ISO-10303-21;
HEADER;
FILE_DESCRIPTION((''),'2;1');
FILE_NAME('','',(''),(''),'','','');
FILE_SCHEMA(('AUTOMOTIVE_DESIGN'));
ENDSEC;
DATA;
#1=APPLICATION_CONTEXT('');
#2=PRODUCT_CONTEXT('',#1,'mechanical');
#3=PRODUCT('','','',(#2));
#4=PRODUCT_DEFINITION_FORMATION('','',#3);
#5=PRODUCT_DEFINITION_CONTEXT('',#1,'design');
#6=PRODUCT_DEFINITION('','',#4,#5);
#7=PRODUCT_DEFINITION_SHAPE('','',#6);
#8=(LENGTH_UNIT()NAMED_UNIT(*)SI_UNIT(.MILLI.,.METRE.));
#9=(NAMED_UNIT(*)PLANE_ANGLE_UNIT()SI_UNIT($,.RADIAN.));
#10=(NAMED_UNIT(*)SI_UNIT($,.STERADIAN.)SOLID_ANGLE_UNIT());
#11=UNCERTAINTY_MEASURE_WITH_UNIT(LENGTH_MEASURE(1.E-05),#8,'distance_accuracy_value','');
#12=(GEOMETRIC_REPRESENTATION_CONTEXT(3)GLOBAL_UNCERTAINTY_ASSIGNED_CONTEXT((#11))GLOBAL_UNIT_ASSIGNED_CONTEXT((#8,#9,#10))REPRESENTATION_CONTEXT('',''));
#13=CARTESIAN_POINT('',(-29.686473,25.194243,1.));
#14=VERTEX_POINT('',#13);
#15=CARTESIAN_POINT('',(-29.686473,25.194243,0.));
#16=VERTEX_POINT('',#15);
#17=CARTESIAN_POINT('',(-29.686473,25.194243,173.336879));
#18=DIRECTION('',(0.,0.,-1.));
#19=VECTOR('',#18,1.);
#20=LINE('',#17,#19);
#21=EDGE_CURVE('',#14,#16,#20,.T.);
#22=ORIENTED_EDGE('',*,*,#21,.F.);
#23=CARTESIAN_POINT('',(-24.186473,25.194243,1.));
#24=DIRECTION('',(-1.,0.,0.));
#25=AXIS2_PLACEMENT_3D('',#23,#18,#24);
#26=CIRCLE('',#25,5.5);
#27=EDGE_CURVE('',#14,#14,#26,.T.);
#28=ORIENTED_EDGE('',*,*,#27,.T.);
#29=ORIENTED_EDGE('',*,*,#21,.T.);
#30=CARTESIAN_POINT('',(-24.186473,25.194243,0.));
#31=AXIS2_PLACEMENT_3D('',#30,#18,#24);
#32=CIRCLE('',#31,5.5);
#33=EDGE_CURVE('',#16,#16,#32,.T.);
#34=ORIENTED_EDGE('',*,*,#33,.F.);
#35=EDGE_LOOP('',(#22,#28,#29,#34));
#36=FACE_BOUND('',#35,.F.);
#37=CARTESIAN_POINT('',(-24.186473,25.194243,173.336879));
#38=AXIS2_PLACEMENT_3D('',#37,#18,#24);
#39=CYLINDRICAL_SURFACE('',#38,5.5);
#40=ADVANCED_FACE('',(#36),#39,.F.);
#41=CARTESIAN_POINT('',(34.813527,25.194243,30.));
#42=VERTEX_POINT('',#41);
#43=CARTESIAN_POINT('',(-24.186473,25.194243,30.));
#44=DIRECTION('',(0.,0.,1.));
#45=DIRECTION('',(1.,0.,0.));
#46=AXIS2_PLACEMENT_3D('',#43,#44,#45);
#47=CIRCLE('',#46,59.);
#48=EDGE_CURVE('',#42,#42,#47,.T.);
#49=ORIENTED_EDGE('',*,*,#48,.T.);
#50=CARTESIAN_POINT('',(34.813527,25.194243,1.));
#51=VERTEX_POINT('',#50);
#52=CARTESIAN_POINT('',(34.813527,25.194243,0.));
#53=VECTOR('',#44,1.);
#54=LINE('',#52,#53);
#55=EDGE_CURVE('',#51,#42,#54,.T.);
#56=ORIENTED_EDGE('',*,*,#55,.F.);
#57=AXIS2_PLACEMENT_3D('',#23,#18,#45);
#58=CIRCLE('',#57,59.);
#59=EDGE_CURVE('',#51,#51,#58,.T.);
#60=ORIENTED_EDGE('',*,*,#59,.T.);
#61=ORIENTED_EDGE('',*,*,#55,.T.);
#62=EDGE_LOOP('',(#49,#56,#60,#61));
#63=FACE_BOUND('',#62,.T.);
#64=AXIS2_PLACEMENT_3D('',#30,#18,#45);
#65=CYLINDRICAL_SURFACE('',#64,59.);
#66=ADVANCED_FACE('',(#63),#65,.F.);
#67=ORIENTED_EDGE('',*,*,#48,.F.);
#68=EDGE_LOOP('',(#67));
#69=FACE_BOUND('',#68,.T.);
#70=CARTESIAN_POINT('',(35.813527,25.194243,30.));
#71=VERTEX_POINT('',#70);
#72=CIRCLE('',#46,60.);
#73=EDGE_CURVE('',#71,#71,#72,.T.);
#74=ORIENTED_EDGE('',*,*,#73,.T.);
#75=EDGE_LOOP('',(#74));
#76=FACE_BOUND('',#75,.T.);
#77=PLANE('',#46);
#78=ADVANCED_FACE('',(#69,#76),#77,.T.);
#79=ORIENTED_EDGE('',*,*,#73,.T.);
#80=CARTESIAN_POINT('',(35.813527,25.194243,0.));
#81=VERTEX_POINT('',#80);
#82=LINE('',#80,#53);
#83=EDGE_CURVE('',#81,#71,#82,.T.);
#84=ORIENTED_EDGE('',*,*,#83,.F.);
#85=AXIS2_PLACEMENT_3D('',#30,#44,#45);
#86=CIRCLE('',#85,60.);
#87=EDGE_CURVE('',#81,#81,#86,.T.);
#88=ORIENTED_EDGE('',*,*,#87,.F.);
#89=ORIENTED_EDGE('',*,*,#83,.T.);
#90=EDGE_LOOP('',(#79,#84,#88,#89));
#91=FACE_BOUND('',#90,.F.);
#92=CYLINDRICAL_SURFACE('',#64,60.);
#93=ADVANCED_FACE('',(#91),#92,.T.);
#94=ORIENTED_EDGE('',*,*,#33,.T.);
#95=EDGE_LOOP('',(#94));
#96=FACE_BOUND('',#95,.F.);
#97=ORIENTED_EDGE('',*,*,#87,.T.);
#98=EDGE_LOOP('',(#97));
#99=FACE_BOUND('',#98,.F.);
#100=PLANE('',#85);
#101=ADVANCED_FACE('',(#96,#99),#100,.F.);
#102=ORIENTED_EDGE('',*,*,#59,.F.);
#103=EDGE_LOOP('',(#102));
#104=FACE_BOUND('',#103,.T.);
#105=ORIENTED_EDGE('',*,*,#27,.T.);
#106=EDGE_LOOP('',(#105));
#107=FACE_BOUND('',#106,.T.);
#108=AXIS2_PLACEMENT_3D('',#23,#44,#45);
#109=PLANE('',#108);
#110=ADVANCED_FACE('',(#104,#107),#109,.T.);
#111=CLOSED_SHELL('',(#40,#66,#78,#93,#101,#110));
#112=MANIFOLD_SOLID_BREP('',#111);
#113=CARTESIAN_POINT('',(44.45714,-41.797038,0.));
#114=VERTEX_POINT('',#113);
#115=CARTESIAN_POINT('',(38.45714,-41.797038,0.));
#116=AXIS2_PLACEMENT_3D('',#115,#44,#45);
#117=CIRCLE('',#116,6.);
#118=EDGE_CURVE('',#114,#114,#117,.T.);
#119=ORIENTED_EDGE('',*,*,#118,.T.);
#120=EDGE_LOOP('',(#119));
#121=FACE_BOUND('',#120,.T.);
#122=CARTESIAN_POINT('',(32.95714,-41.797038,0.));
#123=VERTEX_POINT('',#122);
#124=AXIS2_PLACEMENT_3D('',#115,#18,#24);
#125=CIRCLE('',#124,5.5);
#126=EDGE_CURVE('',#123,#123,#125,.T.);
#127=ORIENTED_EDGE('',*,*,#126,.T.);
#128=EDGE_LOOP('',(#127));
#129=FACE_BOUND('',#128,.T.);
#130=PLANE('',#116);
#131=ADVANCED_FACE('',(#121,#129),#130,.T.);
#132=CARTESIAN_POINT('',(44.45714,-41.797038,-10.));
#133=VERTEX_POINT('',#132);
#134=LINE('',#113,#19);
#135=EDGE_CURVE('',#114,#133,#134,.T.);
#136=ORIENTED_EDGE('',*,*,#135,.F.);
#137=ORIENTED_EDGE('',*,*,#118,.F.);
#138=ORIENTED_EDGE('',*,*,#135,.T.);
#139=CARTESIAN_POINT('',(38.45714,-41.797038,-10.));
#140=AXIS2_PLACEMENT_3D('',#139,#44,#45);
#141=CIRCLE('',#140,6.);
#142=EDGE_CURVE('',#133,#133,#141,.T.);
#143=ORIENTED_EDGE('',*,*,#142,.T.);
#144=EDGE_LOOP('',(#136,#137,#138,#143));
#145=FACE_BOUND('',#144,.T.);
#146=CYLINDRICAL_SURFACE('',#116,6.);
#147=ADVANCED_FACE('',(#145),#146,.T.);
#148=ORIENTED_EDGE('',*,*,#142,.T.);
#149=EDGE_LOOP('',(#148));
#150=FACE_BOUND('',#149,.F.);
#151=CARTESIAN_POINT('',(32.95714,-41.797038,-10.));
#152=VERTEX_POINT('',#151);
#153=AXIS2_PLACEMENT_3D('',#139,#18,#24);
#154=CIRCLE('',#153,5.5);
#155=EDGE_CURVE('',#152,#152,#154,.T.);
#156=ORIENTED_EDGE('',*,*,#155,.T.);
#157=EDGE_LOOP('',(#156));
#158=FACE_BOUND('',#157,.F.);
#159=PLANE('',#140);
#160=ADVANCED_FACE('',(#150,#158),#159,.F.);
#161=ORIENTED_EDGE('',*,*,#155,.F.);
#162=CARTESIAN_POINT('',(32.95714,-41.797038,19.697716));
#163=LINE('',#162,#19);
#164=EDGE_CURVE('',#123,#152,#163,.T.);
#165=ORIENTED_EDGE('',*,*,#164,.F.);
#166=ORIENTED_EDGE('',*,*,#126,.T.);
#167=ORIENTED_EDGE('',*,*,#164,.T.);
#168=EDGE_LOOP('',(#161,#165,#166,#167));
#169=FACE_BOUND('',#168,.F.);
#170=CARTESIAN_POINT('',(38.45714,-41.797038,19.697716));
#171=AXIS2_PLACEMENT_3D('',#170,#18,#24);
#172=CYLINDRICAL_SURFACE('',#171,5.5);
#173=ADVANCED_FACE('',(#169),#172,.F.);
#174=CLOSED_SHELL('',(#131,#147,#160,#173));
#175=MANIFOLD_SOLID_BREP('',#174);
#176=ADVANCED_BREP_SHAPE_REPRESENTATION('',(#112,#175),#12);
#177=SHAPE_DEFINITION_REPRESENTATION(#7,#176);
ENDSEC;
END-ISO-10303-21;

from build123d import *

# Parameters (mm, degrees)
F0_R     = 60
F1_DEPTH = 30
F2_T     = -1
F4_D     = 11
F5_R     = 6
F6_DEPTH = 10
F7_D     = 11


with BuildPart() as f1:
    # F0 (on Top) → F1 (new body)
    with BuildSketch(Plane.XY):
        with Locations((-24.186473, 25.194243)):
            Circle(F0_R)
    extrude(amount=F1_DEPTH)

    # F2
    f2_openings = [f1.faces().sort_by_distance(p)[0] for p in [
        (-24.186473, 25.194243, 30),
    ]]
    offset(amount=F2_T, openings=f2_openings)

    # F4 (through all)
    with Locations(Plane.XY.offset(1)):
        with Locations((-24.186473, 25.194243)):
            Hole(F4_D / 2)


with BuildPart() as f6:
    # F5 (on Top) → F6 (new body)
    with BuildSketch(Plane.XY):
        with Locations((38.45714, -41.797038)):
            Circle(F5_R)
    extrude(amount=-F6_DEPTH)

    # F7 (through all)
    with Locations(Plane.XY):
        with Locations((38.45714, -41.797038)):
            Hole(F7_D / 2)


solid = Compound([f1.part, f6.part])
